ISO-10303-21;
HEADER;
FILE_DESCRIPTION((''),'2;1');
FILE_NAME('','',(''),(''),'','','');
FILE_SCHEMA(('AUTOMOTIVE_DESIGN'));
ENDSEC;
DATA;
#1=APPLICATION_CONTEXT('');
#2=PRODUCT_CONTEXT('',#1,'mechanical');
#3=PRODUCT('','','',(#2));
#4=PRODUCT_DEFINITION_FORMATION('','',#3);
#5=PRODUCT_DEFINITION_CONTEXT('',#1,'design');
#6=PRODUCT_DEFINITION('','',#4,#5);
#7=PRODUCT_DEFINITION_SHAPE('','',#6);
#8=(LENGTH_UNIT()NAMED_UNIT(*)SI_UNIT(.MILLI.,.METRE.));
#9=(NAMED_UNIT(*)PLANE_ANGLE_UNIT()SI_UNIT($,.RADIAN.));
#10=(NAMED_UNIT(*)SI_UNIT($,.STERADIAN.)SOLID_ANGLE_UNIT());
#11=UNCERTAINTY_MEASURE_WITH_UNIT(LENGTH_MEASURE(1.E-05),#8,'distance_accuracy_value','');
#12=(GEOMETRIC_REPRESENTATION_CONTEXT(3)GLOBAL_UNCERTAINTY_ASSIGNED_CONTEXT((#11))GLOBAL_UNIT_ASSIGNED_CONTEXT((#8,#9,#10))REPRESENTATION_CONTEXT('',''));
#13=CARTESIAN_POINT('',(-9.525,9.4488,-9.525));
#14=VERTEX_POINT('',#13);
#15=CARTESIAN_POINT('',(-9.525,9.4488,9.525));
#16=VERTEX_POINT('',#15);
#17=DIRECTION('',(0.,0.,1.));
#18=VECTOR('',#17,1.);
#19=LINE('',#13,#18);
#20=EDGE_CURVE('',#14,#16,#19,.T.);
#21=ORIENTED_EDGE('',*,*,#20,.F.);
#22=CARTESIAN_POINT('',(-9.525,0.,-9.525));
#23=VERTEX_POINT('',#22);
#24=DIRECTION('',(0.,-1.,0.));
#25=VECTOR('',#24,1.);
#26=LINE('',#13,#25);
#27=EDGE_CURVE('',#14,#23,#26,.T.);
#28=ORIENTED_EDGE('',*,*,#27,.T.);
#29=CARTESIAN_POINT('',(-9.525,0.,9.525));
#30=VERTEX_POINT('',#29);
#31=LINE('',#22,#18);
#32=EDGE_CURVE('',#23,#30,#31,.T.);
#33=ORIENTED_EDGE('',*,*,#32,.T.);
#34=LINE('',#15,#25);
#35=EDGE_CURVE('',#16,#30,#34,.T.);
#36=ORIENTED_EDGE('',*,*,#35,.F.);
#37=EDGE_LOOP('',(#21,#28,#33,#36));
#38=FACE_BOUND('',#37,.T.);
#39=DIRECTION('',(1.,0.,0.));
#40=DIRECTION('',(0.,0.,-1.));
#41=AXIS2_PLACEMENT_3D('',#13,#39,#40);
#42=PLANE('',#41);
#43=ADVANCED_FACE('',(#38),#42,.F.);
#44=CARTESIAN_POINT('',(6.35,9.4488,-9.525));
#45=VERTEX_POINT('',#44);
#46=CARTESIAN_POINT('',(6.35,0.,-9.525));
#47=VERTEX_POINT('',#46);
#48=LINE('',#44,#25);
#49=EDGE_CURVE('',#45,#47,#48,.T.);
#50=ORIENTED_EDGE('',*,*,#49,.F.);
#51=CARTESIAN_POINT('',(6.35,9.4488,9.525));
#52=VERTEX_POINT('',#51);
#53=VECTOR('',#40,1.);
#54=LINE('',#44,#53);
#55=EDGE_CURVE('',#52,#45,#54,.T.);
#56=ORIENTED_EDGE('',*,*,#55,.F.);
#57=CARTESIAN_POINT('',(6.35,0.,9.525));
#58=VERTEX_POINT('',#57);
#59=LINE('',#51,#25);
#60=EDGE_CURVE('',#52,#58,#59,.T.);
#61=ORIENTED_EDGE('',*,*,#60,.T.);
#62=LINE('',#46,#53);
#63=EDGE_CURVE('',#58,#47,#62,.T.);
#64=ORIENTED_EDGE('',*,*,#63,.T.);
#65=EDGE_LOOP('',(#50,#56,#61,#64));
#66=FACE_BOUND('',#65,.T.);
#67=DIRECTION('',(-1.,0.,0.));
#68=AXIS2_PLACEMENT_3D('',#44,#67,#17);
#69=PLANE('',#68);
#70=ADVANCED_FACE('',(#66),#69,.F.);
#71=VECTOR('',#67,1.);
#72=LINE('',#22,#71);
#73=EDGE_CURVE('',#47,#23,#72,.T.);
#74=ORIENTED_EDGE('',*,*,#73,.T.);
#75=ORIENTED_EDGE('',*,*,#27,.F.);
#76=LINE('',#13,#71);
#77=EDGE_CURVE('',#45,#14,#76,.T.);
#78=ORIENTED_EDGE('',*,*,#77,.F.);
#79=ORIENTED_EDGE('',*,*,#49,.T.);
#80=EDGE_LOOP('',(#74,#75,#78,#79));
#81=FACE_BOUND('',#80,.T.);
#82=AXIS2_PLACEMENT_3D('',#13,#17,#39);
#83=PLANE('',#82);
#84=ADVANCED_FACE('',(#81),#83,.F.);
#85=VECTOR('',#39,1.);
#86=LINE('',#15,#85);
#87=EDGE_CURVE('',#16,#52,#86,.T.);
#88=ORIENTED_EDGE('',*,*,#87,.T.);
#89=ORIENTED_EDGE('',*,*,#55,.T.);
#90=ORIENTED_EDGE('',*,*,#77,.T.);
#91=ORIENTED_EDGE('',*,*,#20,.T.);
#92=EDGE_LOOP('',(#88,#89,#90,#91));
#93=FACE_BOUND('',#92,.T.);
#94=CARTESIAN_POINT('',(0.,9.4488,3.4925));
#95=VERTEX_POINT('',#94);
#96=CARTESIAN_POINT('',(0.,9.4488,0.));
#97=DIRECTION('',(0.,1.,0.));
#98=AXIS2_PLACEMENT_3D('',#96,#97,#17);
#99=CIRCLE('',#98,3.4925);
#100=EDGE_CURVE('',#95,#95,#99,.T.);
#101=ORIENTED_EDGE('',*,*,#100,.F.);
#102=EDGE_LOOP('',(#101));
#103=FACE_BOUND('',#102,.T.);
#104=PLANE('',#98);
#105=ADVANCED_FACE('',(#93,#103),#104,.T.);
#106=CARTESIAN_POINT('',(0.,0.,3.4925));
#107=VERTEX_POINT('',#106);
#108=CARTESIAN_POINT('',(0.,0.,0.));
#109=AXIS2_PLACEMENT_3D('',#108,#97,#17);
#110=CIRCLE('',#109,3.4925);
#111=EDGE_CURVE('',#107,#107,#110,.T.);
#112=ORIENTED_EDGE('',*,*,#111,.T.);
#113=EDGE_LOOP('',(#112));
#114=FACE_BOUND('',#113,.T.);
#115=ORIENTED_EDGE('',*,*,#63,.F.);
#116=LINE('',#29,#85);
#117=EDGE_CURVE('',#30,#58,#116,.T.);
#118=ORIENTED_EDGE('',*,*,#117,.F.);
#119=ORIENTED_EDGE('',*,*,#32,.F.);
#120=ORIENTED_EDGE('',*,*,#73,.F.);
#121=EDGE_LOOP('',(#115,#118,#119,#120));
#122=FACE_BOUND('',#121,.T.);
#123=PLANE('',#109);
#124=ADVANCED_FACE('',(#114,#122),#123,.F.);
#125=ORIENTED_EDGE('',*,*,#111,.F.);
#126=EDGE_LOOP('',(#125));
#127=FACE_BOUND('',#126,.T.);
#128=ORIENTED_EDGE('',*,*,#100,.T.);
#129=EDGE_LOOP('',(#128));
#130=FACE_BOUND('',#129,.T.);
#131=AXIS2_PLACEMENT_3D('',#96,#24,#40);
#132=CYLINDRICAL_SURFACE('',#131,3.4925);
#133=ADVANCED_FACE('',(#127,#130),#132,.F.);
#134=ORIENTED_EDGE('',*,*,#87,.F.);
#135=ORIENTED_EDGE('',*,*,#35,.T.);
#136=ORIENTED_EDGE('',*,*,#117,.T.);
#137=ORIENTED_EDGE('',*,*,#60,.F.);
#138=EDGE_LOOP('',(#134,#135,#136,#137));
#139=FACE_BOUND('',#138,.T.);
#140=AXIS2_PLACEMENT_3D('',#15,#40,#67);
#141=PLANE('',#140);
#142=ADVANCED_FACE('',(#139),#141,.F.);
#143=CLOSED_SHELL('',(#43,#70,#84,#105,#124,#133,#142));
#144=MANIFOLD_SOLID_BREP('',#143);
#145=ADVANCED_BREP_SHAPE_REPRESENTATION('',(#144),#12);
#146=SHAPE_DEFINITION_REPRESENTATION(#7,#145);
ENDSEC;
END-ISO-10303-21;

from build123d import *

# Parameters (mm, degrees)
SKETCH1_W           = 15.875
SKETCH1_H           = 19.05
SKETCH1_R           = 3.4925
BOSS_EXTRUDE1_DEPTH = 9.4488


with BuildPart() as part:
    # Sketch1 → Boss-Extrude1 (new body)
    with BuildSketch(Plane(origin=(0, 0, 0), x_dir=(1, 0, 0), z_dir=(0, 1, 0))):
        with Locations((-1.5875, 0)):
            Rectangle(SKETCH1_W, SKETCH1_H)
        Circle(SKETCH1_R, mode=Mode.SUBTRACT)
    extrude(amount=BOSS_EXTRUDE1_DEPTH)


solid = part.part
